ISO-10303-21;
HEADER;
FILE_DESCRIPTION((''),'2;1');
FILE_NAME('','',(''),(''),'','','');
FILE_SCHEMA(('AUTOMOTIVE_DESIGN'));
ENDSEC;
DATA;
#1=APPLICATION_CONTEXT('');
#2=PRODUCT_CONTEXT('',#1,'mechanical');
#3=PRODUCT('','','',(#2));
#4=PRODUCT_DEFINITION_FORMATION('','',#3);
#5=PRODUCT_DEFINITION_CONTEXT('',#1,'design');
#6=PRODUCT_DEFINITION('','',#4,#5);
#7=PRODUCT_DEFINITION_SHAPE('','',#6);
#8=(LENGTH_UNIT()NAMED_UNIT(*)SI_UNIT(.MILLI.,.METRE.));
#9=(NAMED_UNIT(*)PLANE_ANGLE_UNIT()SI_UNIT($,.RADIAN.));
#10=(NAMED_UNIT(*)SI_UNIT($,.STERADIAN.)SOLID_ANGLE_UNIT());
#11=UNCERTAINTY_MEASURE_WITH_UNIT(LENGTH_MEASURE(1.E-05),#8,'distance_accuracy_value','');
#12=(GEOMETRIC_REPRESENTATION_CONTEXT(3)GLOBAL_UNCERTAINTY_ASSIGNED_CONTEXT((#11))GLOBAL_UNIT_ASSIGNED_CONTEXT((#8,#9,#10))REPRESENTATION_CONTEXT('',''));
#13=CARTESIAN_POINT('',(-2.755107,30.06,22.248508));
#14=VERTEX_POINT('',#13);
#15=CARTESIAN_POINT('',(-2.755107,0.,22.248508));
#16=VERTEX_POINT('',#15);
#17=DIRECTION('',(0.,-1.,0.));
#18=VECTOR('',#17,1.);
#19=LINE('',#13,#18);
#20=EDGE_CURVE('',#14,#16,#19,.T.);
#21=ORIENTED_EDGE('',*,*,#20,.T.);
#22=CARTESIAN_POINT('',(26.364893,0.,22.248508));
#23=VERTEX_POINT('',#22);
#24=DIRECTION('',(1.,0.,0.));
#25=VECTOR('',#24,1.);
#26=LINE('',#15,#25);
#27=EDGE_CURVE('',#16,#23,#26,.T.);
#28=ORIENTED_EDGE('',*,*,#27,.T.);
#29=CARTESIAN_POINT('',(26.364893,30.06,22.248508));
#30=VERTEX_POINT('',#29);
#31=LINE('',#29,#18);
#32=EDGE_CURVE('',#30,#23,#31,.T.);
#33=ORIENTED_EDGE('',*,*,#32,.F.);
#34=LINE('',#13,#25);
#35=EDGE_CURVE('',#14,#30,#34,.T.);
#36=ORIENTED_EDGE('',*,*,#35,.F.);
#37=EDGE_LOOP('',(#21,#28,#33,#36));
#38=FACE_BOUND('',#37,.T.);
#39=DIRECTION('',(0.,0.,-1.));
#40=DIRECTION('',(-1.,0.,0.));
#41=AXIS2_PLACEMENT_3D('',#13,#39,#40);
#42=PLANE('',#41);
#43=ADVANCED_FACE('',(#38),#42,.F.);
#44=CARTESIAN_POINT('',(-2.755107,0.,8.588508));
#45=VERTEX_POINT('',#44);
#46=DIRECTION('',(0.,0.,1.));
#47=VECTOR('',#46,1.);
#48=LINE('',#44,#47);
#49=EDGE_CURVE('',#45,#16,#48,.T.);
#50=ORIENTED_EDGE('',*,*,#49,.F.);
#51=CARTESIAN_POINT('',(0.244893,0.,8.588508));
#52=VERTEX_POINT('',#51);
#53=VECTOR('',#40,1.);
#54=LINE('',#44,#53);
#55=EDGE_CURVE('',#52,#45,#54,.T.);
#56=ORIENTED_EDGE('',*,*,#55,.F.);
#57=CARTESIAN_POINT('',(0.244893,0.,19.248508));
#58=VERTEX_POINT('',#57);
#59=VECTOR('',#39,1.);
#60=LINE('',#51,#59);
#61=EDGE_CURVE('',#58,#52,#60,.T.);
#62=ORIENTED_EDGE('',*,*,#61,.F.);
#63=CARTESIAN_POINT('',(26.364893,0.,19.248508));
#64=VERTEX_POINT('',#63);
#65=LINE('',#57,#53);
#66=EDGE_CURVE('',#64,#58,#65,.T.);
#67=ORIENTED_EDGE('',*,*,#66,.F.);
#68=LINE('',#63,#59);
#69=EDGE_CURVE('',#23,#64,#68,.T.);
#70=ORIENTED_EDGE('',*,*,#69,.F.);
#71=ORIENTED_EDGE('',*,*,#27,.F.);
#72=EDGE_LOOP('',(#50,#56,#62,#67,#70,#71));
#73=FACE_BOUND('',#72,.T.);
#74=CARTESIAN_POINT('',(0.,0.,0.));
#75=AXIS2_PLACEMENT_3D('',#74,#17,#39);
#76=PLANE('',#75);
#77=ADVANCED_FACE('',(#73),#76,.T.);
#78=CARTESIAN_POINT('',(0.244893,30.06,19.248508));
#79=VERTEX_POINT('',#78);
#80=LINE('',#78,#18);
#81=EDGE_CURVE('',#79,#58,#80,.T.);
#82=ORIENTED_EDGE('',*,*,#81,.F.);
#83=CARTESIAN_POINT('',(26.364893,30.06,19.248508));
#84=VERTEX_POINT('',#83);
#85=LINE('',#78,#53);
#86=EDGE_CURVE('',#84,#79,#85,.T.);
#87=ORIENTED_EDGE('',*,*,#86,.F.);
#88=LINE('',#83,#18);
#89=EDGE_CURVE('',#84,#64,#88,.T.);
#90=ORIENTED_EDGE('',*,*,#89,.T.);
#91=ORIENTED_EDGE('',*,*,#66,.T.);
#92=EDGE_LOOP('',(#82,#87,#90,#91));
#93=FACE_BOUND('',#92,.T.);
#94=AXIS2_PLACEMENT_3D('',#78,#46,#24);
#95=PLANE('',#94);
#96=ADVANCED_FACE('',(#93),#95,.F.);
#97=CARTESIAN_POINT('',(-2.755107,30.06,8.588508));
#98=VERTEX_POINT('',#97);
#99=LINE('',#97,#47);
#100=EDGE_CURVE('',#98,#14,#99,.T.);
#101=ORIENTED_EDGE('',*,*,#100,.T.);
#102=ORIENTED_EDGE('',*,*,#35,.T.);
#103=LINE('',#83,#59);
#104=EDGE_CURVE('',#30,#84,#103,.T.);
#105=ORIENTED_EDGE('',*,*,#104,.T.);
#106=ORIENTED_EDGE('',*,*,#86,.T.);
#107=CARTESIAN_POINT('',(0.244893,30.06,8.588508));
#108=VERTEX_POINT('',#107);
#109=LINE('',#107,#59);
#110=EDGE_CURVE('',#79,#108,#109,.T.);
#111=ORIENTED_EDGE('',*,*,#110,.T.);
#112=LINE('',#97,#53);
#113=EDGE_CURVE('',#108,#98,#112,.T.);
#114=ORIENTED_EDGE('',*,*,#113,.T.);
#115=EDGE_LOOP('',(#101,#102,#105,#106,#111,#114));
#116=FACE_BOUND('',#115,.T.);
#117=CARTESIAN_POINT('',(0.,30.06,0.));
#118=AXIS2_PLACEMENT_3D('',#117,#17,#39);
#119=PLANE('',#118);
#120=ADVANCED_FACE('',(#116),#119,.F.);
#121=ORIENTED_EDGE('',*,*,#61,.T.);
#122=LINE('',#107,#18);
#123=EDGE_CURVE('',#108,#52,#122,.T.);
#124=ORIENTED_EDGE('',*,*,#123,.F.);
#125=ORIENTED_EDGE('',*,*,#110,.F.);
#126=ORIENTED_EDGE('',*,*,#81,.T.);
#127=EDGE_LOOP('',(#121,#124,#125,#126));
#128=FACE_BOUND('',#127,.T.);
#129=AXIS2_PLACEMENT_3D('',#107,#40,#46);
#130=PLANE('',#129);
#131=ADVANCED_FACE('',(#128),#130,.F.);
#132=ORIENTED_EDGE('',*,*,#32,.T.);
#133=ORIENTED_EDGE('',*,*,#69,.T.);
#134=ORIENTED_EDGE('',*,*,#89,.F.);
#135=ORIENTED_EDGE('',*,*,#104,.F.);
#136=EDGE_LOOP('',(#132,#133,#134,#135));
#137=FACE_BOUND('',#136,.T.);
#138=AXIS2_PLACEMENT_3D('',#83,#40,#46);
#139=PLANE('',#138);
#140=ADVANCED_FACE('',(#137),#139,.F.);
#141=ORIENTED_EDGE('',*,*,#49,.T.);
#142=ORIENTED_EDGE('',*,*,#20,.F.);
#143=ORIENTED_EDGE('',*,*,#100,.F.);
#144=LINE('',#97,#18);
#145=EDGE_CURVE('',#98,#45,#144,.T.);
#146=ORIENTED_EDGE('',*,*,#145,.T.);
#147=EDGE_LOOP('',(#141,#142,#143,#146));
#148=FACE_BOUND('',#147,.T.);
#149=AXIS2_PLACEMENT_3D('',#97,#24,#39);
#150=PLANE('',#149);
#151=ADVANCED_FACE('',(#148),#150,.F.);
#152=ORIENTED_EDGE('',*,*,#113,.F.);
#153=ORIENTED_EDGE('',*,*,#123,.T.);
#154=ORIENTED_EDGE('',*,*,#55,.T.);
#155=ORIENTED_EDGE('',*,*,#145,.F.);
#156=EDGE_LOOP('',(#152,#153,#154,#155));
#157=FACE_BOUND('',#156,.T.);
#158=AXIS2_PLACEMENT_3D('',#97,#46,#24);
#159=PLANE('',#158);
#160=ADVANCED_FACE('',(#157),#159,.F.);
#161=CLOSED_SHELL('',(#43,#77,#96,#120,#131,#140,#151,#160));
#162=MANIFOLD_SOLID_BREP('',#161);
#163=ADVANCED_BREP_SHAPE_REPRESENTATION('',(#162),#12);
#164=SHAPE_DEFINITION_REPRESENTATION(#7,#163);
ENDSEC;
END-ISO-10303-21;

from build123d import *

# Parameters (mm, degrees)
BOSS_EXTRUDE1_DEPTH = 30.06


with BuildPart() as part:
    # Sketch1 → Boss-Extrude1 (new body)
    with BuildSketch(Plane(origin=(0, 0, 0), x_dir=(1, 0, 0), z_dir=(0, 1, 0))):
        Polygon((-2.755107279, -8.58850832), (-2.755107279, -22.24850832), (26.364892721, -22.24850832), (26.364892721, -19.24850832), (0.244892721, -19.24850832), (0.244892721, -8.58850832), align=None)
    extrude(amount=BOSS_EXTRUDE1_DEPTH)


solid = part.part
